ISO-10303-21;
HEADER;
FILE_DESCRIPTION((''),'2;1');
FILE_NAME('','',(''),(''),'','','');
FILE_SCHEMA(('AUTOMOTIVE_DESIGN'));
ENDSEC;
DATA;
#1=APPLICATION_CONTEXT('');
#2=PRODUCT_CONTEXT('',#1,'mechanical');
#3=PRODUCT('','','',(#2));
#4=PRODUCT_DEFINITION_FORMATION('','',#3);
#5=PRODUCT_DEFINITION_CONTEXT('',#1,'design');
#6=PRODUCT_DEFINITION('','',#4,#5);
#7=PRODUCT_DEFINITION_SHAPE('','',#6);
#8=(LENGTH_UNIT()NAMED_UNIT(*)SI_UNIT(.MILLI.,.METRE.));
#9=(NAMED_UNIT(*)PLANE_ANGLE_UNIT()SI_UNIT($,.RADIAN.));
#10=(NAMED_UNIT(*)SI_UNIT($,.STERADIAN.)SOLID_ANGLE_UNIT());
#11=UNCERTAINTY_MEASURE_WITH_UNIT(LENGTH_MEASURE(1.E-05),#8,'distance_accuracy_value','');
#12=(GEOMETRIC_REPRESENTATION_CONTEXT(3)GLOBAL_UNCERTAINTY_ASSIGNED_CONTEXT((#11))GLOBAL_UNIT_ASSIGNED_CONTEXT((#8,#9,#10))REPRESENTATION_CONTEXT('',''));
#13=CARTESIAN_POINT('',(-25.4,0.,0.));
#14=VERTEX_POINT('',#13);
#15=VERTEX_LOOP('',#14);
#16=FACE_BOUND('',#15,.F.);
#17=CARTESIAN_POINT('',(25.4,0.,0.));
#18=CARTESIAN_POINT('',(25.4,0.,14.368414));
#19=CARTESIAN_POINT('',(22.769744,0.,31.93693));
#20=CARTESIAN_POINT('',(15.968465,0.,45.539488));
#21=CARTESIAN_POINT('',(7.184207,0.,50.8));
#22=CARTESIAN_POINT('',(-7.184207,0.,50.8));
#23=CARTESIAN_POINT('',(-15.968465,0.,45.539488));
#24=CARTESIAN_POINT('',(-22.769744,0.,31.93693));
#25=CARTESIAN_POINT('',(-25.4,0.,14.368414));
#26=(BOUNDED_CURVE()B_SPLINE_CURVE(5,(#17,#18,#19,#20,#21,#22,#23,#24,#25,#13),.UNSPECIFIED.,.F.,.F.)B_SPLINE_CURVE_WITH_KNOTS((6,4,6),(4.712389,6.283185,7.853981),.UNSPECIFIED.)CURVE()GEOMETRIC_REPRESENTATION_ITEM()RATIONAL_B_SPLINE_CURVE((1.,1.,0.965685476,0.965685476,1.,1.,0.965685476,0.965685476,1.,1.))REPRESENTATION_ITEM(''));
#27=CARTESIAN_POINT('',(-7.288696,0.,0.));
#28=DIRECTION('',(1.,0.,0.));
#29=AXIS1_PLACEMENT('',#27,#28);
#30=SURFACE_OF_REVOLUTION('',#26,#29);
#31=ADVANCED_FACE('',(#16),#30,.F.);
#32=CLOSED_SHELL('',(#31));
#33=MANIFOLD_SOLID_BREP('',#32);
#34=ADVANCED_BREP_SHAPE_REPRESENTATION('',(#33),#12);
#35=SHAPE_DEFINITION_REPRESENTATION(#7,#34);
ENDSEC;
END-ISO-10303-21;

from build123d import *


with BuildPart() as f2:
    # F1 (on Front) → F2 (revolve)
    with BuildSketch(Plane.XZ):
        with BuildLine():
            add(Edge.make_bspline(
                [(25.4, 0), (25.4, 50.8), (0, 50.8)],
                knots=[4.712389, 4.712389, 4.712389, 6.283185, 6.283185, 6.283185], degree=2, weights=[1, 0.707107, 1]))
            add(Edge.make_bspline(
                [(0, 50.8), (-25.4, 50.8), (-25.4, 0)],
                knots=[0, 0, 0, 1.570796, 1.570796, 1.570796], degree=2, weights=[1, 0.707107, 1]))
            Line((-25.4, 0), (25.4, 0))
        make_face()
    revolve(axis=Axis((-7.288696, 0, 0), (1, 0, 0)))


solid = f2.part
